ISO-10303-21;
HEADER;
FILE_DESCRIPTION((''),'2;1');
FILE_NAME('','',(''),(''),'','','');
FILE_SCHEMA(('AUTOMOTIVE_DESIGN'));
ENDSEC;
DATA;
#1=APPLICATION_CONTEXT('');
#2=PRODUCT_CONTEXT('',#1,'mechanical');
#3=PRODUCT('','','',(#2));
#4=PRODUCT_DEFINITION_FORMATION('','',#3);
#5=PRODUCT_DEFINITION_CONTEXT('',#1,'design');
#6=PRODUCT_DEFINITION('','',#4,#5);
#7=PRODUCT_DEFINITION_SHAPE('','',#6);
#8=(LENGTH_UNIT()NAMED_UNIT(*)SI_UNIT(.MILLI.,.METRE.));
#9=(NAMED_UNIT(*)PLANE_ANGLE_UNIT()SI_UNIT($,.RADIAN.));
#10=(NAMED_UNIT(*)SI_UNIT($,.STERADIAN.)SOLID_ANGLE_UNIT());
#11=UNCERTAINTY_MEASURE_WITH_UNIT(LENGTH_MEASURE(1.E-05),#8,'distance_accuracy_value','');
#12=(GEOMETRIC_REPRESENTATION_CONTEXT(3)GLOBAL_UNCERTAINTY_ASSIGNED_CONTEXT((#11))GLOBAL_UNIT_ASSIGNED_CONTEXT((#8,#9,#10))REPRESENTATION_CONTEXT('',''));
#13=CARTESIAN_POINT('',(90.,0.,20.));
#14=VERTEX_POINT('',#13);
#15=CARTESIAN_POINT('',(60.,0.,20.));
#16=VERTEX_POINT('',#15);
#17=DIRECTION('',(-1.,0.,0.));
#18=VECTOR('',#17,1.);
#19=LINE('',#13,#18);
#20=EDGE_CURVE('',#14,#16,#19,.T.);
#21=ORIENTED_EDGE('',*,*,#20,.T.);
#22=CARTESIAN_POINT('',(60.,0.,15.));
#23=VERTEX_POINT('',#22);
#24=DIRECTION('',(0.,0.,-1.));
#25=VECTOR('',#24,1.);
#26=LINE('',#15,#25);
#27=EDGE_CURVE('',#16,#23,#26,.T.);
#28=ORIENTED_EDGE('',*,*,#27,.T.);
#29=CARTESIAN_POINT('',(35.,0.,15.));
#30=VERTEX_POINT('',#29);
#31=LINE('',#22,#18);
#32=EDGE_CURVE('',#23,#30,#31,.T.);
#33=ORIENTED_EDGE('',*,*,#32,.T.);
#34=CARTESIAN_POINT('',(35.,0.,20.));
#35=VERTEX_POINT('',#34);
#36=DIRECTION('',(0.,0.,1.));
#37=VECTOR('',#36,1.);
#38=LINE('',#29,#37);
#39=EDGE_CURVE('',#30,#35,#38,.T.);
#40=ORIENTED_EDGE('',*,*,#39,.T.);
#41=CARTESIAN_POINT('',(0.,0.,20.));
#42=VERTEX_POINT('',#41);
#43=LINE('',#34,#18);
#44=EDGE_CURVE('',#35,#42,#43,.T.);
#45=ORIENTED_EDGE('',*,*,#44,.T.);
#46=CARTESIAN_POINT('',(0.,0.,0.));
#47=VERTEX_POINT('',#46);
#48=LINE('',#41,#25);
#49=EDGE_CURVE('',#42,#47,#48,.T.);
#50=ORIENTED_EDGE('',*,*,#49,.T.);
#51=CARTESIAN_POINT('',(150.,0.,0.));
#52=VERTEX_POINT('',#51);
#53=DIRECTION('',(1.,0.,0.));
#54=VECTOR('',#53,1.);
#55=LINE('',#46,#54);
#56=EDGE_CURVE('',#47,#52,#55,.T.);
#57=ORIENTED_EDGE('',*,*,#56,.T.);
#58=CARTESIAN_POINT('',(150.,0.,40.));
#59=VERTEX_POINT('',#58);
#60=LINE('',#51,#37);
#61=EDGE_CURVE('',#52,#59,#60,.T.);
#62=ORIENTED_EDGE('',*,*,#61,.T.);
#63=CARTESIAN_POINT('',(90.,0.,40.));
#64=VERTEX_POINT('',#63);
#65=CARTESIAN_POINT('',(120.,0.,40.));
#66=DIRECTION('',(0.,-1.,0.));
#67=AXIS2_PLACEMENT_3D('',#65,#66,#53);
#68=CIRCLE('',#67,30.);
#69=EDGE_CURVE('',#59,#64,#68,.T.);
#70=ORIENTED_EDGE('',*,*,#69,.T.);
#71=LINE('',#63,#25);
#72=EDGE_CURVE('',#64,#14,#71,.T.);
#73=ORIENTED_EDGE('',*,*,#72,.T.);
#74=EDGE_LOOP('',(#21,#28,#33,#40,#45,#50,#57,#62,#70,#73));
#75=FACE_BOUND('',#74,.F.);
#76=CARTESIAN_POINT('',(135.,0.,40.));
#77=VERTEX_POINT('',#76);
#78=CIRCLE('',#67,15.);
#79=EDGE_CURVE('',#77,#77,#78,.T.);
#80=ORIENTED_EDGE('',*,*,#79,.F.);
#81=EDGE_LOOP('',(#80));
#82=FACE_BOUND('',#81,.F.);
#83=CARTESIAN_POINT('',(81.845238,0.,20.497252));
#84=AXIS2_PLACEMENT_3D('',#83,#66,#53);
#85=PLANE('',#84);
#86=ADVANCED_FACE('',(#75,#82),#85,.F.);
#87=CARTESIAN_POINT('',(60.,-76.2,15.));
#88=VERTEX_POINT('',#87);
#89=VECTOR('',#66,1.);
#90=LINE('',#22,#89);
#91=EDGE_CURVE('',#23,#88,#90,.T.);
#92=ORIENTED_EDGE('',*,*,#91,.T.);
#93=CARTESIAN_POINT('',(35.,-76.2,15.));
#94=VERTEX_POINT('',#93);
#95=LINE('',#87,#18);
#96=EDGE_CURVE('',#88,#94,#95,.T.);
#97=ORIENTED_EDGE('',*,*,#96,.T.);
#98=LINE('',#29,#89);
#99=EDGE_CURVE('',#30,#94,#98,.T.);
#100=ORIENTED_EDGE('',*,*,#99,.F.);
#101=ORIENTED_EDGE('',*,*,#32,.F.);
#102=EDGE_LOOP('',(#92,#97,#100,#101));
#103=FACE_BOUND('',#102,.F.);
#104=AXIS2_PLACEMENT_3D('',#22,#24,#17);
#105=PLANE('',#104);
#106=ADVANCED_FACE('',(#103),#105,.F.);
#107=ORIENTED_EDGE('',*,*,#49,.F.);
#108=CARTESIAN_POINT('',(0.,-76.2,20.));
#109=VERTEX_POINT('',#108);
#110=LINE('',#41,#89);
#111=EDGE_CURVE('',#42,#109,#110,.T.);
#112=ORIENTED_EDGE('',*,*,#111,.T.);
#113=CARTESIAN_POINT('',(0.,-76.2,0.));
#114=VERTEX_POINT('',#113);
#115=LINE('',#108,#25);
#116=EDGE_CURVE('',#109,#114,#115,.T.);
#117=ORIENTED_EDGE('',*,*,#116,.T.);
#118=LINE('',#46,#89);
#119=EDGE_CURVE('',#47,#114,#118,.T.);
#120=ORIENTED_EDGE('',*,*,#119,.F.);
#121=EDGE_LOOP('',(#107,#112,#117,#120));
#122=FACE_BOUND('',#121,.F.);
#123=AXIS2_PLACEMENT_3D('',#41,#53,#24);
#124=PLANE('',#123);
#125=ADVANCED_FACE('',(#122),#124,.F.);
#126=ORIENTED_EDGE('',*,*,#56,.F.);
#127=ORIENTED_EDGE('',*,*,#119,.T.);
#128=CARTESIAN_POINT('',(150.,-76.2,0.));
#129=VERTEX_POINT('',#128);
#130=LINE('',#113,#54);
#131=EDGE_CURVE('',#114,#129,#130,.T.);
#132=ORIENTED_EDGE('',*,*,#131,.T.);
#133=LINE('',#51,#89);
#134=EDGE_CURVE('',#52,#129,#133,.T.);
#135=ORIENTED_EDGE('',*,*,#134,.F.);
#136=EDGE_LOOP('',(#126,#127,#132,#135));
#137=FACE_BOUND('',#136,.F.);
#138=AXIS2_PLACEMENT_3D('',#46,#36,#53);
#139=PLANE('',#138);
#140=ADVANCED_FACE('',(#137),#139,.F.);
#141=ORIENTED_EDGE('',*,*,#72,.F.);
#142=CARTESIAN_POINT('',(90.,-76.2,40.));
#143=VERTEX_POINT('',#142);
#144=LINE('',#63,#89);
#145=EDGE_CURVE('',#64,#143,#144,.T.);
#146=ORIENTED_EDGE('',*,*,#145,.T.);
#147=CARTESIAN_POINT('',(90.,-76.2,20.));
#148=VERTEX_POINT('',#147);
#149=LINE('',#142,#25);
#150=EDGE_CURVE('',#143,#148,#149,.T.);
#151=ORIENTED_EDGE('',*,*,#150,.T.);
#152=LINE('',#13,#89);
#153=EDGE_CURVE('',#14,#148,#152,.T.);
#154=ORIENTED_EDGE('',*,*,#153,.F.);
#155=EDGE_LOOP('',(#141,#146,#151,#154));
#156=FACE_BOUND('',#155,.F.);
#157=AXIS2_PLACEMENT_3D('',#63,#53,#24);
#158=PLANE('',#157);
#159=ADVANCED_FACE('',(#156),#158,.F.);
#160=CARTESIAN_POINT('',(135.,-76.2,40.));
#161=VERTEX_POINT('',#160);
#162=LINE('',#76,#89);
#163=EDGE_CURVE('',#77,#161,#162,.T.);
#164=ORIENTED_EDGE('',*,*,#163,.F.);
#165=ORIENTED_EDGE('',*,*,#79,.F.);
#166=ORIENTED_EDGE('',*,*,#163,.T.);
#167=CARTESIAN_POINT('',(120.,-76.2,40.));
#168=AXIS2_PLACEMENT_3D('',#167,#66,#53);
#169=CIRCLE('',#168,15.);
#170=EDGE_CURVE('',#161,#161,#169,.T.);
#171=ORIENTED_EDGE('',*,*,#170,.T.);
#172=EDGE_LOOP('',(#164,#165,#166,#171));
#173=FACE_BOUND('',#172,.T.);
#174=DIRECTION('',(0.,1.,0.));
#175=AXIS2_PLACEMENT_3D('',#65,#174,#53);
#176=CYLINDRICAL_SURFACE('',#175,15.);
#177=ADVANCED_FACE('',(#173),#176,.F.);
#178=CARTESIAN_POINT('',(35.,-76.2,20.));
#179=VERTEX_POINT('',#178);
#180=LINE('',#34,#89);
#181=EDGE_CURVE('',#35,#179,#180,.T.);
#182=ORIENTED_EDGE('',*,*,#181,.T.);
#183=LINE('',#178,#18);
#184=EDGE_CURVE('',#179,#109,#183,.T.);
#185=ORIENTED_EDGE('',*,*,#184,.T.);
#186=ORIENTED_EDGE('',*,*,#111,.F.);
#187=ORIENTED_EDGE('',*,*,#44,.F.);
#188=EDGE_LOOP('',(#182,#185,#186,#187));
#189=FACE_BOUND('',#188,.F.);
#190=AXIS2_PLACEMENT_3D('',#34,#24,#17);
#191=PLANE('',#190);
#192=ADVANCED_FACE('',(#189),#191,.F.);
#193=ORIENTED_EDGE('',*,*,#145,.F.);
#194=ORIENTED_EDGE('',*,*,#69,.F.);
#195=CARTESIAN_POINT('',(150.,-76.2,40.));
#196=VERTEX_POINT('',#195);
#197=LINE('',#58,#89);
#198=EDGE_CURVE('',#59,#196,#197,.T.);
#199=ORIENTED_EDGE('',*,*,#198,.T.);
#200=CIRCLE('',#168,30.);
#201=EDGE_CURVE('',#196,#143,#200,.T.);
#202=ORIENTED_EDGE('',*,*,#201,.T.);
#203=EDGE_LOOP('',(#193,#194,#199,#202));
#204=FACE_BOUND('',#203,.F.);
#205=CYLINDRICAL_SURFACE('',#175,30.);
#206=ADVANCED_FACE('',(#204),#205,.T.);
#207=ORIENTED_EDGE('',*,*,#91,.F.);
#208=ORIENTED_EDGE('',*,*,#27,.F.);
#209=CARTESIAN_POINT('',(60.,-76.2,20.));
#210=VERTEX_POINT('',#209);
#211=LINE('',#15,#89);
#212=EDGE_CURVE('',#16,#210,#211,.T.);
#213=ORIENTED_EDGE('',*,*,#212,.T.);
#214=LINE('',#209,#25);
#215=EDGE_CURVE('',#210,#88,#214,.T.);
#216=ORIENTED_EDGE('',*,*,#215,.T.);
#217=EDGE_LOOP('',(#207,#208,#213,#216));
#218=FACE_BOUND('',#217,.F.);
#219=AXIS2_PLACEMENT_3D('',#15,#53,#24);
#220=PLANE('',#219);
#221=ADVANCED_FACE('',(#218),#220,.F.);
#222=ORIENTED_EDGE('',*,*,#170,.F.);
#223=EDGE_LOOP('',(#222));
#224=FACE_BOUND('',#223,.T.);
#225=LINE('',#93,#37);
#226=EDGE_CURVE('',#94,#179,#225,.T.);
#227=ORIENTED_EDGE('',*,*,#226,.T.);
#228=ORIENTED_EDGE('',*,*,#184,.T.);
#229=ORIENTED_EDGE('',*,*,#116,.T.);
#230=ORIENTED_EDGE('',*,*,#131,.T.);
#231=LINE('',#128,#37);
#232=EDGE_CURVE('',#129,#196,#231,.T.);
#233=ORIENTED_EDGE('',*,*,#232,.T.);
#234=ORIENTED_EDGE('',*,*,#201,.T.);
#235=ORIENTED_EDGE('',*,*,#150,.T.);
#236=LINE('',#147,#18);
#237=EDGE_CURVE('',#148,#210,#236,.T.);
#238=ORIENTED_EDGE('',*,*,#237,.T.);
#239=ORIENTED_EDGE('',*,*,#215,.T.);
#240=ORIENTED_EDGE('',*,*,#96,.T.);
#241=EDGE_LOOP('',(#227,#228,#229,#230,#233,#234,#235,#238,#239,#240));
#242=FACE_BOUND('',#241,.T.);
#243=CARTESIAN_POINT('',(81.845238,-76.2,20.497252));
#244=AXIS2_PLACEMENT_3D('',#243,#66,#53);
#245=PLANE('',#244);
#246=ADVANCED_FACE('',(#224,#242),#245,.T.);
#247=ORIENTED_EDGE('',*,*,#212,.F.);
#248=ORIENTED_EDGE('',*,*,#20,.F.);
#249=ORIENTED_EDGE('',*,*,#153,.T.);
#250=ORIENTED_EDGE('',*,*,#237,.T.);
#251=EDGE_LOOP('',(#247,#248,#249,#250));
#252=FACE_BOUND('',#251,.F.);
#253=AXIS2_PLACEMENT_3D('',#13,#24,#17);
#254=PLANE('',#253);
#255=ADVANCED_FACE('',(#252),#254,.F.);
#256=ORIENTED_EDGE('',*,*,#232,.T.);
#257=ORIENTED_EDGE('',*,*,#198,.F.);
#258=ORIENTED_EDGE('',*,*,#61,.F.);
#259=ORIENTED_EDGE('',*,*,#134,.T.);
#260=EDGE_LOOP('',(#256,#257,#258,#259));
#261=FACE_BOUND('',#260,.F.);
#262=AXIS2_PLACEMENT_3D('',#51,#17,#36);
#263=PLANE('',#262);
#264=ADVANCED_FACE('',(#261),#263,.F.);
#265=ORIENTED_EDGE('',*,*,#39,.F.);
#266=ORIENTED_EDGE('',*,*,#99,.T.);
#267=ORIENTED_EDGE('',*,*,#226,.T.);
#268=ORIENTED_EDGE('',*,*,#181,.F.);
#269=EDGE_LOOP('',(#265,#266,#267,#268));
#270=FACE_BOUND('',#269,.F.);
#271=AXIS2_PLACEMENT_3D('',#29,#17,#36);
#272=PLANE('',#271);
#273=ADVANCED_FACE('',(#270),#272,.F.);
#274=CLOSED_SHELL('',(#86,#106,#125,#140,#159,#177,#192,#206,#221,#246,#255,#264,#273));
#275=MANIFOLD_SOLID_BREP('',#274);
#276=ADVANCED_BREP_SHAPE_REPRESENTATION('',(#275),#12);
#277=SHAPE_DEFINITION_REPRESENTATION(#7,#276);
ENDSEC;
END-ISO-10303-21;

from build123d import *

# Parameters (mm, degrees)
F0_R     = 15
F1_DEPTH = 76.2


with BuildPart() as f1:
    # F0 (on Front) → F1 (new body)
    with BuildSketch(Plane.XZ):
        with BuildLine():
            Line((0, 20), (0, 0))
            Line((0, 0), (150, 0))
            Line((150, 0), (150, 40))
            ThreePointArc((150, 40), (120, 70), (90, 40))
            Line((90, 40), (90, 20))
            Line((90, 20), (60, 20))
            Line((60, 20), (60, 15))
            Line((60, 15), (35, 15))
            Line((35, 15), (35, 20))
            Line((35, 20), (0, 20))
        make_face()
        with Locations((120, 40)):
            Circle(F0_R, mode=Mode.SUBTRACT)
    extrude(amount=F1_DEPTH)


solid = f1.part
